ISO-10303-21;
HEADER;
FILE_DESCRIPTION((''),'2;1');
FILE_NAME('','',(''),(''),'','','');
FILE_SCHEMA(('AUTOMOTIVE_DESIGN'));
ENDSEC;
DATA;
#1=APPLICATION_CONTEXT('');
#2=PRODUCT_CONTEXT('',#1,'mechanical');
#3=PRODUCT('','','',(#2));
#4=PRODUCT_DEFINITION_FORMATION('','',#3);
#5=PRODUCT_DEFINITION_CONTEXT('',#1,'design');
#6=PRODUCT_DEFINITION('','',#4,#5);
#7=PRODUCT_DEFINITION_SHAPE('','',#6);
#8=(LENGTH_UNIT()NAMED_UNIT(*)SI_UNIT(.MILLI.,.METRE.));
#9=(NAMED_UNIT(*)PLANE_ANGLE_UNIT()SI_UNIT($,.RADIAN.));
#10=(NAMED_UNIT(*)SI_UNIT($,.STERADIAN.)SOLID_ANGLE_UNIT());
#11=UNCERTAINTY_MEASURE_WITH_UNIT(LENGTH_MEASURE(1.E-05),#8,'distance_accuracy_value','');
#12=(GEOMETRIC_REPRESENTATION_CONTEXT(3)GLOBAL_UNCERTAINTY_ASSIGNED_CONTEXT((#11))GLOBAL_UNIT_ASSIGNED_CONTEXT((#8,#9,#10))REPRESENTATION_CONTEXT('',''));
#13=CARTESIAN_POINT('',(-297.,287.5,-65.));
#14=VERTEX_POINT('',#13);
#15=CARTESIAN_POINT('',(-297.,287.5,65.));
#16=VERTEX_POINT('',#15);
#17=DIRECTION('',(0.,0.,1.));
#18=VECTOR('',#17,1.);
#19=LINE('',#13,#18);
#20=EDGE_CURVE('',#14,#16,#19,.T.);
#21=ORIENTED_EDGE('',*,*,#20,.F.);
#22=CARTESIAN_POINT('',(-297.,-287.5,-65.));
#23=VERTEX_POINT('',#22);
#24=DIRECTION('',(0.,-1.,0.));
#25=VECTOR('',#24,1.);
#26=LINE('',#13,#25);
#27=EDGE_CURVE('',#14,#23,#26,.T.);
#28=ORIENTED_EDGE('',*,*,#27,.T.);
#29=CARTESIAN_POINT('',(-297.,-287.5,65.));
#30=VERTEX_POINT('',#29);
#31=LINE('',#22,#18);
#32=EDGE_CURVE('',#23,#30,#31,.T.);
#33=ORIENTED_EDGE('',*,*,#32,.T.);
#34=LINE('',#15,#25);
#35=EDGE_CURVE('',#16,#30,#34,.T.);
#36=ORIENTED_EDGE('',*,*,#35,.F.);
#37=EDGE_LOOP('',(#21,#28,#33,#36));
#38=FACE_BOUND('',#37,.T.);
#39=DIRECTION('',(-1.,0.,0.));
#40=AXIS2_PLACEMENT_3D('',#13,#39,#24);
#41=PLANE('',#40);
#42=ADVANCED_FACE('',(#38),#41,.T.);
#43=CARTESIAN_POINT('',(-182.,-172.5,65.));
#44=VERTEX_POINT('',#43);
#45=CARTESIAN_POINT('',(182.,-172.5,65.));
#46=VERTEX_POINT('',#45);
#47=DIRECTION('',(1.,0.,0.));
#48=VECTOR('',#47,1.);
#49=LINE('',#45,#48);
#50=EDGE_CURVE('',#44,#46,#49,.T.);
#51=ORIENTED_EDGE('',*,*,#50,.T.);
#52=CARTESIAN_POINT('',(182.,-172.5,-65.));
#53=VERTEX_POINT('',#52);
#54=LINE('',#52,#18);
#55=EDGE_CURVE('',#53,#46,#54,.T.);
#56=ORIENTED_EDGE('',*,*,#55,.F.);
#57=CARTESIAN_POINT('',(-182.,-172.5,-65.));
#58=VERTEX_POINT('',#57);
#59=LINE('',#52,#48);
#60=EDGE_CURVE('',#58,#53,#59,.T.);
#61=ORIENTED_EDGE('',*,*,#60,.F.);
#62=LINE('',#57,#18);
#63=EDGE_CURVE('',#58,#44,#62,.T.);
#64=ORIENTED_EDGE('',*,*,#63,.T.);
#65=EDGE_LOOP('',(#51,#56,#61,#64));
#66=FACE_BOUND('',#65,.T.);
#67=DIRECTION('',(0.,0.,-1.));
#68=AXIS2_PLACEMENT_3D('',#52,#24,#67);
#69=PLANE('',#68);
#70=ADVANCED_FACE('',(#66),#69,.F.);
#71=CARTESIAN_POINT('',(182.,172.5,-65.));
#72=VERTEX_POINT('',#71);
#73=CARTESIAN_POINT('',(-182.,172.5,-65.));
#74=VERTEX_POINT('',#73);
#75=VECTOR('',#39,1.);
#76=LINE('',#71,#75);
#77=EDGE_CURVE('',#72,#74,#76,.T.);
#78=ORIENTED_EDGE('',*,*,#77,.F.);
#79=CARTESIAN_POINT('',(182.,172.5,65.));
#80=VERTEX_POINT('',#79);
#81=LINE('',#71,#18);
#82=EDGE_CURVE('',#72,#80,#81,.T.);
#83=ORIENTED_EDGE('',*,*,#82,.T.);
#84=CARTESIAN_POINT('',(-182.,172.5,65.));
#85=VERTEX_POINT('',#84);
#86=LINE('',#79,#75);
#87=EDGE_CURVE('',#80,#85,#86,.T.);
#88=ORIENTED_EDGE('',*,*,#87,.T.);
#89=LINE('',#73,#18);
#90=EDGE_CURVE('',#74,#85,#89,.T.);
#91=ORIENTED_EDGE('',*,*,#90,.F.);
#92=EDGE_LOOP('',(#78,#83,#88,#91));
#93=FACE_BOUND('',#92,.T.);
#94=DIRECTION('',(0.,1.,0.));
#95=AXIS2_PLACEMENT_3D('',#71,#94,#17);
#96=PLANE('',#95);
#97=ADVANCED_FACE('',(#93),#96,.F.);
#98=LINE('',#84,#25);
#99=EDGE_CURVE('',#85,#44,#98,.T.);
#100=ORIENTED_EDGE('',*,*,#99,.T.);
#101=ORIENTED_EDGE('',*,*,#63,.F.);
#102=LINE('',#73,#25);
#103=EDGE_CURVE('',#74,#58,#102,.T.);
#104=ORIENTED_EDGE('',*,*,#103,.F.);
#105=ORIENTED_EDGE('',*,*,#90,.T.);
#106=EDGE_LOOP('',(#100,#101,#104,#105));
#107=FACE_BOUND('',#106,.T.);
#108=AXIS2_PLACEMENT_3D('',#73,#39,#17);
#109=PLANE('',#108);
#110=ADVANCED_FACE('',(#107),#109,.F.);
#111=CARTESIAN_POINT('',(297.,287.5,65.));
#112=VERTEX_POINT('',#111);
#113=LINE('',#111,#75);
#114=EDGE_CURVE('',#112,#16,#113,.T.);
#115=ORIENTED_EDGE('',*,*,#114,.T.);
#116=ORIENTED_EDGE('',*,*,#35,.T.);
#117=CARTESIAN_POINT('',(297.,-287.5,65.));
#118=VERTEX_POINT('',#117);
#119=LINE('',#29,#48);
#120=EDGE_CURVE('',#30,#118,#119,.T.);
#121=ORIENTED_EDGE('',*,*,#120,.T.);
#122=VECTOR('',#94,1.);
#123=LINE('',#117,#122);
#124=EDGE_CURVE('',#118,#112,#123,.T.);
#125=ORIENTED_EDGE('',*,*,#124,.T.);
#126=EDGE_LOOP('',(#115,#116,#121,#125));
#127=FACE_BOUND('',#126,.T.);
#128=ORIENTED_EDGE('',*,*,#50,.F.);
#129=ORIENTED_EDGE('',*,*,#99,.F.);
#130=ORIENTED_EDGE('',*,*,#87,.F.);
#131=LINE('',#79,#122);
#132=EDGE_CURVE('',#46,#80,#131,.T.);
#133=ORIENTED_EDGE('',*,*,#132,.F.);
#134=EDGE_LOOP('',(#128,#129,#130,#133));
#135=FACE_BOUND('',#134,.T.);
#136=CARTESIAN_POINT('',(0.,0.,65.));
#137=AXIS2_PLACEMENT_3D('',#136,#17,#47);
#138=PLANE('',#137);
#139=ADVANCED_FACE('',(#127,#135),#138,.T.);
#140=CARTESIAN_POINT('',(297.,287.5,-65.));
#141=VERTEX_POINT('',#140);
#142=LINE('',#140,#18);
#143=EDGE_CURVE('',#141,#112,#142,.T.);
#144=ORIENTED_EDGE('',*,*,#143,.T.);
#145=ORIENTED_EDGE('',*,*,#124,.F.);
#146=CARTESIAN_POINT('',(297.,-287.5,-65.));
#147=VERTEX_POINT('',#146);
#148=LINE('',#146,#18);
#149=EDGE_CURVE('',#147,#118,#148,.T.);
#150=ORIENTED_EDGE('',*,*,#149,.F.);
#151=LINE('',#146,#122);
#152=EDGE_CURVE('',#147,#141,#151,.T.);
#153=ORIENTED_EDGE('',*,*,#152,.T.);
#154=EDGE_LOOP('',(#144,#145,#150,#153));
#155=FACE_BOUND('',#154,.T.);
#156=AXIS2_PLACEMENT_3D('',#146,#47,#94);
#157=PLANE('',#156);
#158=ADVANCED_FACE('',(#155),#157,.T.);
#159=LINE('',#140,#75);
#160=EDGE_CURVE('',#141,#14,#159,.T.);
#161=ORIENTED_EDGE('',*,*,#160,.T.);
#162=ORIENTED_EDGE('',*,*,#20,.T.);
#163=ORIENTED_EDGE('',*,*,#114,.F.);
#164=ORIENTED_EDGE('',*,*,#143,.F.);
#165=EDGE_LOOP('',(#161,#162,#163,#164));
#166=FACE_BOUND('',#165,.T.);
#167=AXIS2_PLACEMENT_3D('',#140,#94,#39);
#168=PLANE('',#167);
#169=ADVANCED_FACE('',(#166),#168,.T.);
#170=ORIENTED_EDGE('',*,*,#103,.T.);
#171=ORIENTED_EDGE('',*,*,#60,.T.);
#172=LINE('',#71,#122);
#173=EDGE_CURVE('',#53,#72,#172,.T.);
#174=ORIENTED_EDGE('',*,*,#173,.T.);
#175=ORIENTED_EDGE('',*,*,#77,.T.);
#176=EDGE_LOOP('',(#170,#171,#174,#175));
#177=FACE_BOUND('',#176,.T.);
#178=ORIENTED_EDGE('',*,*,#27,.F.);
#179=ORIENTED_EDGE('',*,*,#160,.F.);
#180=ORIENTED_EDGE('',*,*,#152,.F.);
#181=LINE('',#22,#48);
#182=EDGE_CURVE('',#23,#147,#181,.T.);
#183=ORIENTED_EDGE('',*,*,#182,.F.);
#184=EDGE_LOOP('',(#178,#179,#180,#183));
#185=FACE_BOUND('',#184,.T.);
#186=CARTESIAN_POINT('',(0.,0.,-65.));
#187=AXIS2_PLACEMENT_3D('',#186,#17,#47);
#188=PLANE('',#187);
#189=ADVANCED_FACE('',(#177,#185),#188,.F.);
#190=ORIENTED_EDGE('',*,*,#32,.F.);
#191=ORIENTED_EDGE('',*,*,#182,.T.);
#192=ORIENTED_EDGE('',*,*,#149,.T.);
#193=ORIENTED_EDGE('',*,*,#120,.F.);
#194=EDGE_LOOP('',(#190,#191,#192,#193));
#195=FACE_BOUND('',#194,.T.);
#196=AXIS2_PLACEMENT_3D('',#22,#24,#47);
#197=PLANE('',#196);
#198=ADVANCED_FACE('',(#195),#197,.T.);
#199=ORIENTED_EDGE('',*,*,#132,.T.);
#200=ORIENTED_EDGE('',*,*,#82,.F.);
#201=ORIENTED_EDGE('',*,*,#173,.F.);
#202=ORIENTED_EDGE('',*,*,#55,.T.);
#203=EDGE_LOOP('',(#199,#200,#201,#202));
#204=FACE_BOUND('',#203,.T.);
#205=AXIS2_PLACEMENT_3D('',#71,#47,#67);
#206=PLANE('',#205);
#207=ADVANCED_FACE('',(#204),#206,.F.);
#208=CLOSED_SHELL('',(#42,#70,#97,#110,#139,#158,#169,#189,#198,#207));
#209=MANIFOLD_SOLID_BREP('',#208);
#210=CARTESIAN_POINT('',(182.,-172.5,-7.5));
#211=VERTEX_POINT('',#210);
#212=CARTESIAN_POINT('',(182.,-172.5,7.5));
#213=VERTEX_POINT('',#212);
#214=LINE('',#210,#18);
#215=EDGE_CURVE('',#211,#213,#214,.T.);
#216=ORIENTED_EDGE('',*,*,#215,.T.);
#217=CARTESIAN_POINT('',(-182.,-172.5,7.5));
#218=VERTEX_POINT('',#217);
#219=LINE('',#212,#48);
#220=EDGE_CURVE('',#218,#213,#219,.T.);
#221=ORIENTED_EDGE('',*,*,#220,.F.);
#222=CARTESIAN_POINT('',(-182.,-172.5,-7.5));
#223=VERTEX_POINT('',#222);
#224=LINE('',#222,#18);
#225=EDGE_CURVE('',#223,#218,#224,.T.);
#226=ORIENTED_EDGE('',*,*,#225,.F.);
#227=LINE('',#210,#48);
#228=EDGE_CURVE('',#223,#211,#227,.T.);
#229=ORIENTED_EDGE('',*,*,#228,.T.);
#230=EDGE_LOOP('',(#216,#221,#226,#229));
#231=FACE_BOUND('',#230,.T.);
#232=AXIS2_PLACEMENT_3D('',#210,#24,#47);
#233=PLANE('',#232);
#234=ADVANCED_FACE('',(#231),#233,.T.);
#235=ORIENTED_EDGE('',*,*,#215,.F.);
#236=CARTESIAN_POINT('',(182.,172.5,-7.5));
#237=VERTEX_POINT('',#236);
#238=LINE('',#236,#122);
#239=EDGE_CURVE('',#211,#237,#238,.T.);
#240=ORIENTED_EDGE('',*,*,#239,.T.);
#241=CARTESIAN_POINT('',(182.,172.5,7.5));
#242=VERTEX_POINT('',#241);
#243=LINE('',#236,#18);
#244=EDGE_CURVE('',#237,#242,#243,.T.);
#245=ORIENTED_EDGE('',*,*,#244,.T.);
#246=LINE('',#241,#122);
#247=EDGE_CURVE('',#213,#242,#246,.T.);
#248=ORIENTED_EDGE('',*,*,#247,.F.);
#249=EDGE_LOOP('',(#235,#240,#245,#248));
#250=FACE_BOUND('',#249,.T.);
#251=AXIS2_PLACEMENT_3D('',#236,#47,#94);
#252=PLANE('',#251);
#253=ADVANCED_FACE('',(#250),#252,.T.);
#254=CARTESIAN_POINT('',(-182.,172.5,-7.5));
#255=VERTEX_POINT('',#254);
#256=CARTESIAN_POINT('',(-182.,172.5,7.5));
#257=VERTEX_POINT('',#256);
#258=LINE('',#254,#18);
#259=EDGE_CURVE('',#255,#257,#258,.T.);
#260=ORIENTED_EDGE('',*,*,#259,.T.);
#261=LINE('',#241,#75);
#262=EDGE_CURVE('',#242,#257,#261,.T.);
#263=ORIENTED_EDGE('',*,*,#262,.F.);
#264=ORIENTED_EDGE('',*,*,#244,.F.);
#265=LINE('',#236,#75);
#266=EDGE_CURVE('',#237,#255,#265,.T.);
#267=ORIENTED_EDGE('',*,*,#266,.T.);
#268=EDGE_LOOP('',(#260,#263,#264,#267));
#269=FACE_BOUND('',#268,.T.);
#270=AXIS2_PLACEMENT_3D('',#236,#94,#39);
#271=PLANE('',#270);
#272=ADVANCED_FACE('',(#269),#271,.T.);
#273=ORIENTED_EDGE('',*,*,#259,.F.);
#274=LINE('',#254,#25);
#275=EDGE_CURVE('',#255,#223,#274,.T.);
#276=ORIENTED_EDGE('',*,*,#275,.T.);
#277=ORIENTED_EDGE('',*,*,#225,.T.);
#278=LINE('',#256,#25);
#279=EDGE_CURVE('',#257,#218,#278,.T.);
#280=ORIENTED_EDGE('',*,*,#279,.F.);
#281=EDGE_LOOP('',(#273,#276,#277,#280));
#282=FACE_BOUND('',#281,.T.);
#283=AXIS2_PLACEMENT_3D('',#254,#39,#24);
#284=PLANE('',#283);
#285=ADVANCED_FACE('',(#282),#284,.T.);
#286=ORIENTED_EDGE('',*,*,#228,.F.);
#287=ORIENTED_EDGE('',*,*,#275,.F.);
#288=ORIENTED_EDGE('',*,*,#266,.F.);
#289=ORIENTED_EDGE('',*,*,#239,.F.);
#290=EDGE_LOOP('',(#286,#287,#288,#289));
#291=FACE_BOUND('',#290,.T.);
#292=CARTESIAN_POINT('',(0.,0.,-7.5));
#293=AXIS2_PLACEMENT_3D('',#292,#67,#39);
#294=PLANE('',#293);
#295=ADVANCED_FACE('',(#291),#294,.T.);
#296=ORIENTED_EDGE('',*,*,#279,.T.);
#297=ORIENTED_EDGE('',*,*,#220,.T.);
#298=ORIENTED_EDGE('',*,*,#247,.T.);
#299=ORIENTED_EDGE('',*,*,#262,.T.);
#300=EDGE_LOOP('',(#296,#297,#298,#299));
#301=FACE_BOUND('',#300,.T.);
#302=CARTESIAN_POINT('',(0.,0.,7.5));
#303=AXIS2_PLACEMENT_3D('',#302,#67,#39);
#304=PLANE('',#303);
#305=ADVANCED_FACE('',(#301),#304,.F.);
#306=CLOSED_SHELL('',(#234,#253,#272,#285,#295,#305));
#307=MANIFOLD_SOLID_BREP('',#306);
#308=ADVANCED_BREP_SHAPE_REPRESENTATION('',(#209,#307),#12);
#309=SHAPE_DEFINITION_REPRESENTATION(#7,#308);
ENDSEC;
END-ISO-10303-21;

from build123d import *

# Parameters (mm, degrees)
RESSALTO_EXTRUS_O1_DEPTH      = 7.5
RESSALTO_EXTRUS_O1_DEPTH_BACK = 7.5
ESBO_O1_W                     = 364
ESBO_O1_H                     = 345
RESSALTO_EXTRUS_O2_DEPTH      = 65
RESSALTO_EXTRUS_O2_DEPTH_BACK = 65
ESBO_O2_W                     = 594
ESBO_O2_H                     = 575
ESBO_O2_W_2                   = 364
ESBO_O2_H_2                   = 345


with BuildPart() as part:
    # Esboço1 → Ressalto-extrusão1 (new, two sides: drawn at the far end of the back side and taken through both)
    with BuildSketch(Plane.XY.offset(-RESSALTO_EXTRUS_O1_DEPTH_BACK)):
        Rectangle(ESBO_O1_W, ESBO_O1_H)
    extrude(amount=RESSALTO_EXTRUS_O1_DEPTH + RESSALTO_EXTRUS_O1_DEPTH_BACK)


with BuildPart() as body_2:
    # Esboço2 → Ressalto-extrusão2 (new, two sides: drawn at the far end of the back side and taken through both)
    with BuildSketch(Plane.XY.offset(-RESSALTO_EXTRUS_O2_DEPTH_BACK)):
        Rectangle(ESBO_O2_W, ESBO_O2_H)
        Rectangle(ESBO_O2_W_2, ESBO_O2_H_2, mode=Mode.SUBTRACT)
    extrude(amount=RESSALTO_EXTRUS_O2_DEPTH + RESSALTO_EXTRUS_O2_DEPTH_BACK)


solid = Compound([part.part, body_2.part])
